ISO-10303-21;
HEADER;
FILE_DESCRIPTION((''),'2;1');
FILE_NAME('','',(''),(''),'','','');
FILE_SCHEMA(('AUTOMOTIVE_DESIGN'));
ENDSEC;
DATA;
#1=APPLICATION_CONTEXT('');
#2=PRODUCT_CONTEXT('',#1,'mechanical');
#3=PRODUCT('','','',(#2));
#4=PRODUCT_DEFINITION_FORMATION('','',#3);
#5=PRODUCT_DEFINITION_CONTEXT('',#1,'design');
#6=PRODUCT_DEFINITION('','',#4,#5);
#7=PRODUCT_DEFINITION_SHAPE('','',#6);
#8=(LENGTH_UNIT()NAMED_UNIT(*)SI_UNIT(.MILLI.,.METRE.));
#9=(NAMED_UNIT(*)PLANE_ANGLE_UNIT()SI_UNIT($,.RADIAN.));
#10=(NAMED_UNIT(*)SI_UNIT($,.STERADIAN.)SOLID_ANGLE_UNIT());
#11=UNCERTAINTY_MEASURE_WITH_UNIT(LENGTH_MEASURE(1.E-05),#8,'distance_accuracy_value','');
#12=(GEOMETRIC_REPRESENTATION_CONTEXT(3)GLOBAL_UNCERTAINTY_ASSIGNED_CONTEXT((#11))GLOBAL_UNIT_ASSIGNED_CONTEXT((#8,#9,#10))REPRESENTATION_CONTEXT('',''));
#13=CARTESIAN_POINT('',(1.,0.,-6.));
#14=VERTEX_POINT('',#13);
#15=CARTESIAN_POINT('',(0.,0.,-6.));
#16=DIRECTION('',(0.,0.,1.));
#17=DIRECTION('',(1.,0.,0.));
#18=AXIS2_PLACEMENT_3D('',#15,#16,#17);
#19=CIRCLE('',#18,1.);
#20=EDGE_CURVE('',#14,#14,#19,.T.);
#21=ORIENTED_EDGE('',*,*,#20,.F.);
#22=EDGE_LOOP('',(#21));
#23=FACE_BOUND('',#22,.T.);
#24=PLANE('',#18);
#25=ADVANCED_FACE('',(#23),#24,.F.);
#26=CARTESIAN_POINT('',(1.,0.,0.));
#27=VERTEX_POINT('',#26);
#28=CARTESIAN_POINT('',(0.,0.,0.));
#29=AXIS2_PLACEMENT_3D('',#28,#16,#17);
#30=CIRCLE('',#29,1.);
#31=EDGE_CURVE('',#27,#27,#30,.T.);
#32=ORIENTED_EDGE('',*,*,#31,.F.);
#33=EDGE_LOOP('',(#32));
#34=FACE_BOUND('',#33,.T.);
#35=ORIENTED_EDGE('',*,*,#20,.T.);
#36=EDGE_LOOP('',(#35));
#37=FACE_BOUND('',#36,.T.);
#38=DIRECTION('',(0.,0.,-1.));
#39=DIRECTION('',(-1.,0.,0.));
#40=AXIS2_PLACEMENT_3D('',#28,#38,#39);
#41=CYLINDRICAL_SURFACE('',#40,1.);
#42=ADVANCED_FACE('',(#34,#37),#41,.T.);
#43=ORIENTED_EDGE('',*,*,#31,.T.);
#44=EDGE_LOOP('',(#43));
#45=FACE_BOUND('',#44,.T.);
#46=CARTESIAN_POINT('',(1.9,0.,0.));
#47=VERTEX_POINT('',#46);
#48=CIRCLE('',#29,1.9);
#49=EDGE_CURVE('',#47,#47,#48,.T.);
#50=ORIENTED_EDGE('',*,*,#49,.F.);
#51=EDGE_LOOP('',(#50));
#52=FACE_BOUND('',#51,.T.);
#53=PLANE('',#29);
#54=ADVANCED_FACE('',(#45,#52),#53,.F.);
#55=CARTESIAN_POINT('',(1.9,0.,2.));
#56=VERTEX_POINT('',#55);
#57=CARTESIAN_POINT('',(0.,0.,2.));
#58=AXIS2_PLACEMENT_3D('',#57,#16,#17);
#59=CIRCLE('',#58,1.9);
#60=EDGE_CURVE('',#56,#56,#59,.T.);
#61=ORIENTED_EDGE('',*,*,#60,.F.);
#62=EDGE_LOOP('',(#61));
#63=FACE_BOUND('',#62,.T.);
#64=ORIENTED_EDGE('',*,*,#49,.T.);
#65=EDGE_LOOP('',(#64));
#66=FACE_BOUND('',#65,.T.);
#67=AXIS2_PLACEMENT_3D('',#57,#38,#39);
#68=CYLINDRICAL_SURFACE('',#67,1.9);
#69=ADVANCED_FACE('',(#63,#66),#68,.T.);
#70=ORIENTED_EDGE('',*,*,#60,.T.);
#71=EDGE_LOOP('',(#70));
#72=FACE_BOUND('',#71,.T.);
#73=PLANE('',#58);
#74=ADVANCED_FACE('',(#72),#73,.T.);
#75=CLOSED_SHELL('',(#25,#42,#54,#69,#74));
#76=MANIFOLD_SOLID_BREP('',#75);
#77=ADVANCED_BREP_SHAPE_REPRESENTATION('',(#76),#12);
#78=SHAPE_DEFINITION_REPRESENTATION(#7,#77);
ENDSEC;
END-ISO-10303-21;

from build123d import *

# Parameters (mm, degrees)
THREAD_ENVELOPE_START = -6
SKETCH1_R             = 1
THREAD_ENVELOPE_DEPTH = 6
SKETCH2_R             = 1.9
HEAD_ENVELOPE_DEPTH   = 2


with BuildPart() as part:
    # Sketch1 → Thread_Envelope (new body)
    with BuildSketch(Plane.XY.offset(THREAD_ENVELOPE_START)):
        Circle(SKETCH1_R)
    extrude(amount=THREAD_ENVELOPE_DEPTH)

    # Sketch2 → Head_Envelope (add)
    with BuildSketch(Plane.XY):
        Circle(SKETCH2_R)
    extrude(amount=HEAD_ENVELOPE_DEPTH)


solid = part.part
